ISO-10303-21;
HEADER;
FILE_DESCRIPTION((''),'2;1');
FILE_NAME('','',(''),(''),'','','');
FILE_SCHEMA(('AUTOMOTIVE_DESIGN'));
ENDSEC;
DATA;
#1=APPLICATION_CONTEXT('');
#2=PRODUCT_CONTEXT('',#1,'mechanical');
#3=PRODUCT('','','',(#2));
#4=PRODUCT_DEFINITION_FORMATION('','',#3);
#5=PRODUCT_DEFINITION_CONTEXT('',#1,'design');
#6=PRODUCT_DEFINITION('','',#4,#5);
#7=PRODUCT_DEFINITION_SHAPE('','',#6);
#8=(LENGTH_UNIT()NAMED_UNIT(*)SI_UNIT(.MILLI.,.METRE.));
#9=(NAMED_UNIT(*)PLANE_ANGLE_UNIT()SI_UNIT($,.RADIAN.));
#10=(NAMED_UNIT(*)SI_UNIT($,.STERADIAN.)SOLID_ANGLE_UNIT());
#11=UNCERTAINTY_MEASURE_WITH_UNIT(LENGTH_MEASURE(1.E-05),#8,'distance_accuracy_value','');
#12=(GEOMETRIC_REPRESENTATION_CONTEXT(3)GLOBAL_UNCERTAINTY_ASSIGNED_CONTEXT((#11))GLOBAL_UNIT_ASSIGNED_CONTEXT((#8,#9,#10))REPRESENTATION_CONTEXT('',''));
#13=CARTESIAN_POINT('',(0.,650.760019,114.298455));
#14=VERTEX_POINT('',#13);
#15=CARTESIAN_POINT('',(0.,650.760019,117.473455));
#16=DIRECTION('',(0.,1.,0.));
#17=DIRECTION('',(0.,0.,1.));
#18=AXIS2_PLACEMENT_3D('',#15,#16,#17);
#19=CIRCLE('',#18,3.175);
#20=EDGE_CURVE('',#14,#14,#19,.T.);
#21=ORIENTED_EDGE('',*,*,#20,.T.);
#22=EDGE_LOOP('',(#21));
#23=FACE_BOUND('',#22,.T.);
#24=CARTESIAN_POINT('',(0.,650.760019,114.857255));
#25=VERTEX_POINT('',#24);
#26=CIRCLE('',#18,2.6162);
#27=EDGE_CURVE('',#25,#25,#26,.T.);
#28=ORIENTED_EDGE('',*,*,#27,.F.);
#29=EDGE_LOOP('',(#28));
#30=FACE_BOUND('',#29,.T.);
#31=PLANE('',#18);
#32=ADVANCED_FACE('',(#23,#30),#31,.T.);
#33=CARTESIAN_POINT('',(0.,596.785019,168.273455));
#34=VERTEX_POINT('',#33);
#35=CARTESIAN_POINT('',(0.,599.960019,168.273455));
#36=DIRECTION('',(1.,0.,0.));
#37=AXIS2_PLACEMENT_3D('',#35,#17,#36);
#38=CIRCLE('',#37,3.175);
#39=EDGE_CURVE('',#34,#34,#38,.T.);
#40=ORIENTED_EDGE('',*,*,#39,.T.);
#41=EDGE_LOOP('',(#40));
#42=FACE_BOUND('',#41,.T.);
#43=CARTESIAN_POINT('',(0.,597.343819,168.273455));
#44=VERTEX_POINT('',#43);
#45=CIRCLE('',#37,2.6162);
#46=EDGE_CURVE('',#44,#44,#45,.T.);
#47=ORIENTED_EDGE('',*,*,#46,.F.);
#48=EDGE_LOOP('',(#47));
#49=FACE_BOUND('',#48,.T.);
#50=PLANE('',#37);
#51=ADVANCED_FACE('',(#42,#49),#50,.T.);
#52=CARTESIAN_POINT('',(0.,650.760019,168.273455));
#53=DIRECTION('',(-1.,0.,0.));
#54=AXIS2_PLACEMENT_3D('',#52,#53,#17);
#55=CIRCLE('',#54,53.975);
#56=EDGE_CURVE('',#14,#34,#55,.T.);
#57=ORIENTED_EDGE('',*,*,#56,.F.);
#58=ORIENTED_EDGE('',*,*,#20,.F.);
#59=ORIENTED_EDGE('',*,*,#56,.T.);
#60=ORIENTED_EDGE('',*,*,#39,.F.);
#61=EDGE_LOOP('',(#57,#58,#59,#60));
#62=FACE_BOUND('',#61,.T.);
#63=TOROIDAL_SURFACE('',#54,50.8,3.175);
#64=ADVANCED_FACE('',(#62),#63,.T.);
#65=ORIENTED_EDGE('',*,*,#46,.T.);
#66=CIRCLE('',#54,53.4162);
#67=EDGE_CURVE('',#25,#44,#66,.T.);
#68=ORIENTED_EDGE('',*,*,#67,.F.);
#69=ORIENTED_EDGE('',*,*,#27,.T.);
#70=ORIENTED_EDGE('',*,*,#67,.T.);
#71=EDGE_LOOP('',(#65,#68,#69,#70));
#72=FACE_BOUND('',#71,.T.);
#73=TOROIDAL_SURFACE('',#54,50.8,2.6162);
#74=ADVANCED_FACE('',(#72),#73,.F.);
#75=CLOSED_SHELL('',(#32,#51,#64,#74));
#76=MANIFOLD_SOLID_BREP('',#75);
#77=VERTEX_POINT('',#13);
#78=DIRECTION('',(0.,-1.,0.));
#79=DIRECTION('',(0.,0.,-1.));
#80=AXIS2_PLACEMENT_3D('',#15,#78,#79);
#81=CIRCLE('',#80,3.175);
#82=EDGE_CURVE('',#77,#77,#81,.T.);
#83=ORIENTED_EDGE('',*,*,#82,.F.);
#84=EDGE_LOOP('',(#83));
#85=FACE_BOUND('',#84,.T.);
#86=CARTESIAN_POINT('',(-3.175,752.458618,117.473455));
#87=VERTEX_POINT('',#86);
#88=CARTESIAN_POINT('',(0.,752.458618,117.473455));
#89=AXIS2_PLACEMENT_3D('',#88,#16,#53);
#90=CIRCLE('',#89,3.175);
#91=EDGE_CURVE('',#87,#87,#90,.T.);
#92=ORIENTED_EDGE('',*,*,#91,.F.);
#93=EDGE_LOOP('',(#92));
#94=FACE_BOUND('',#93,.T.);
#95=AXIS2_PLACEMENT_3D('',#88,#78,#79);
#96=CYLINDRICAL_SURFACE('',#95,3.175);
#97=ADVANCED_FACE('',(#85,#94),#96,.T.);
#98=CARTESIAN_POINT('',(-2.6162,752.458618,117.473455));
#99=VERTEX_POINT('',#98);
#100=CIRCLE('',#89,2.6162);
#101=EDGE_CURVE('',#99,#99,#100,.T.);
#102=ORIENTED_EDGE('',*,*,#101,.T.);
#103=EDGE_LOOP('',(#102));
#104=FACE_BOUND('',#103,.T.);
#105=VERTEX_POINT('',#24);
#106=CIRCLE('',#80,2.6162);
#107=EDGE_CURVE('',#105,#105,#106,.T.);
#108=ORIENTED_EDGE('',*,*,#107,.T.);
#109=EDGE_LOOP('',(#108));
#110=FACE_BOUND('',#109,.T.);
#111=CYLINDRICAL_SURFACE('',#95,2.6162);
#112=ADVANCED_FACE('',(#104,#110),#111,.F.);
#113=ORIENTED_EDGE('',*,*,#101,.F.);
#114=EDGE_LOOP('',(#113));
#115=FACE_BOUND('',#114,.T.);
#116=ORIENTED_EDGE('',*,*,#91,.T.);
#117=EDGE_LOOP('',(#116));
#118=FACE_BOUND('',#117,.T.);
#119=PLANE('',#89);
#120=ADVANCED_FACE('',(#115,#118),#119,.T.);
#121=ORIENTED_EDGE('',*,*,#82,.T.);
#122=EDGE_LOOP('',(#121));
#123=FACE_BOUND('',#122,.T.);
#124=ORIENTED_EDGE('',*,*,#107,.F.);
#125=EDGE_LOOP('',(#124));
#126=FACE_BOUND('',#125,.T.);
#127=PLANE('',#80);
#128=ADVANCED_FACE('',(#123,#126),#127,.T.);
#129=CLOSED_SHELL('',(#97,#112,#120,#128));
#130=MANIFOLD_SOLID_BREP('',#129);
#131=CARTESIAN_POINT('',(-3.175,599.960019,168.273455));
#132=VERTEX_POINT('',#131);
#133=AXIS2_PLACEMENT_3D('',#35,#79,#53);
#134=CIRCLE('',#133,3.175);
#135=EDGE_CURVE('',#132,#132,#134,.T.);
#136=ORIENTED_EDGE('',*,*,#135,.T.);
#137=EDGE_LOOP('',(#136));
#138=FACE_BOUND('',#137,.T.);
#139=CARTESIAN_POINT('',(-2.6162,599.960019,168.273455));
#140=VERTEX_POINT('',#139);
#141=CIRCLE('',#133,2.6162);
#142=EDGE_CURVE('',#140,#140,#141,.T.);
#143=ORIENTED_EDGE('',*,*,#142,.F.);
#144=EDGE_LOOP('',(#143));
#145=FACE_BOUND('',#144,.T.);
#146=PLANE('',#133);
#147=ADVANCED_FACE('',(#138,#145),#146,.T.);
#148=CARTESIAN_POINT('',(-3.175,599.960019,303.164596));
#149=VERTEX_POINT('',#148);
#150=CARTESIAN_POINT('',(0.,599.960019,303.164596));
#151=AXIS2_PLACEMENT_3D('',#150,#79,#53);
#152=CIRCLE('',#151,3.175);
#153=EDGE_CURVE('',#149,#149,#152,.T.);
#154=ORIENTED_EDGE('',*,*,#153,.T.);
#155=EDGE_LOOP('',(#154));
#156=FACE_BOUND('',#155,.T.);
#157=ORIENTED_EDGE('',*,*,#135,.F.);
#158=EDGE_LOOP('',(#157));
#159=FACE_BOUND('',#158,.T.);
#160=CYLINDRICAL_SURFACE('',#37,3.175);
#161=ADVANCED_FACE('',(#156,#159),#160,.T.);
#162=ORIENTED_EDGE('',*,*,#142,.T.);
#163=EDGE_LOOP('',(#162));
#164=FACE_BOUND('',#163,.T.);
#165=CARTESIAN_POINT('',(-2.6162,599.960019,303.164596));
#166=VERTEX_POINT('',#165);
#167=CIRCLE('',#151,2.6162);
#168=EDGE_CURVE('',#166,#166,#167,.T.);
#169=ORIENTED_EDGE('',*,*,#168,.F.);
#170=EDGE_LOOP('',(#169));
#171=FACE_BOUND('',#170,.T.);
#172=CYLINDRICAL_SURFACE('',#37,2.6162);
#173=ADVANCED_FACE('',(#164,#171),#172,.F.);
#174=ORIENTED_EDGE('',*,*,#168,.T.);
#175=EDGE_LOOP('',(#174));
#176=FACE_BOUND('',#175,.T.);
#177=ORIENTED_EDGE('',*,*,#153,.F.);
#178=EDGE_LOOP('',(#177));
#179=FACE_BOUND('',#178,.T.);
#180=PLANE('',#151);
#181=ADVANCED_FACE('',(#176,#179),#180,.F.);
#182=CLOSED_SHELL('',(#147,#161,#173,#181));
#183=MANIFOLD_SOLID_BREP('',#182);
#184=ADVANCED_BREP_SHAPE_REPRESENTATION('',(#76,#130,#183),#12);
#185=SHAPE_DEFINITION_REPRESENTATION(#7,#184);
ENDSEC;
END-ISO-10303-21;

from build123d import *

# Parameters (mm, degrees)
SKETCH11_R                = 3.175
SKETCH11_R_2              = 2.6162
PIPE_0_5_SCH_40_1_DEPTH   = 134.891141117
SKETCH11_ON_SEGMENT_2_R   = 3.175
SKETCH11_ON_SEGMENT_2_R_2 = 2.6162
PIPE_0_5_SCH_40_1_2_ANGLE = 90
SKETCH11_ON_SEGMENT_3_R   = 3.175
SKETCH11_ON_SEGMENT_3_R_2 = 2.6162
PIPE_0_5_SCH_40_1_3_DEPTH = 101.698598989


with BuildPart() as part:
    # Sketch11 → Pipe 0.5 SCH 40(1) (new body)
    with BuildSketch(Plane(origin=(0, 599.960019272, 303.164595711), x_dir=(0, 1, 0), z_dir=(0, 0, -1))):
        Circle(SKETCH11_R)
        Circle(SKETCH11_R_2, mode=Mode.SUBTRACT)
    extrude(amount=PIPE_0_5_SCH_40_1_DEPTH)


with BuildPart() as body_2:
    # Sketch11 on segment 2 (carried to the start of arc 2) → Pipe 0.5 SCH 40_1 2 (revolve)
    with BuildSketch(Plane(origin=(0, 599.960019272, 168.273454594), x_dir=(0, 1, 0), z_dir=(0, 0, -1))):
        Circle(SKETCH11_ON_SEGMENT_2_R)
        Circle(SKETCH11_ON_SEGMENT_2_R_2, mode=Mode.SUBTRACT)
    revolve(axis=Axis((0, 650.760019272, 168.273454594), (1, 0, 0)), revolution_arc=PIPE_0_5_SCH_40_1_2_ANGLE)


with BuildPart() as body_3:
    # Sketch11 on segment 3 (carried to segment 3) → Pipe 0.5 SCH 40_1 3 (new body)
    with BuildSketch(Plane(origin=(0, 650.760019272, 117.473454594), x_dir=(0, 0, 1), z_dir=(0, 1, 0))):
        Circle(SKETCH11_ON_SEGMENT_3_R)
        Circle(SKETCH11_ON_SEGMENT_3_R_2, mode=Mode.SUBTRACT)
    extrude(amount=PIPE_0_5_SCH_40_1_3_DEPTH)


solid = Compound([part.part, body_2.part, body_3.part])
